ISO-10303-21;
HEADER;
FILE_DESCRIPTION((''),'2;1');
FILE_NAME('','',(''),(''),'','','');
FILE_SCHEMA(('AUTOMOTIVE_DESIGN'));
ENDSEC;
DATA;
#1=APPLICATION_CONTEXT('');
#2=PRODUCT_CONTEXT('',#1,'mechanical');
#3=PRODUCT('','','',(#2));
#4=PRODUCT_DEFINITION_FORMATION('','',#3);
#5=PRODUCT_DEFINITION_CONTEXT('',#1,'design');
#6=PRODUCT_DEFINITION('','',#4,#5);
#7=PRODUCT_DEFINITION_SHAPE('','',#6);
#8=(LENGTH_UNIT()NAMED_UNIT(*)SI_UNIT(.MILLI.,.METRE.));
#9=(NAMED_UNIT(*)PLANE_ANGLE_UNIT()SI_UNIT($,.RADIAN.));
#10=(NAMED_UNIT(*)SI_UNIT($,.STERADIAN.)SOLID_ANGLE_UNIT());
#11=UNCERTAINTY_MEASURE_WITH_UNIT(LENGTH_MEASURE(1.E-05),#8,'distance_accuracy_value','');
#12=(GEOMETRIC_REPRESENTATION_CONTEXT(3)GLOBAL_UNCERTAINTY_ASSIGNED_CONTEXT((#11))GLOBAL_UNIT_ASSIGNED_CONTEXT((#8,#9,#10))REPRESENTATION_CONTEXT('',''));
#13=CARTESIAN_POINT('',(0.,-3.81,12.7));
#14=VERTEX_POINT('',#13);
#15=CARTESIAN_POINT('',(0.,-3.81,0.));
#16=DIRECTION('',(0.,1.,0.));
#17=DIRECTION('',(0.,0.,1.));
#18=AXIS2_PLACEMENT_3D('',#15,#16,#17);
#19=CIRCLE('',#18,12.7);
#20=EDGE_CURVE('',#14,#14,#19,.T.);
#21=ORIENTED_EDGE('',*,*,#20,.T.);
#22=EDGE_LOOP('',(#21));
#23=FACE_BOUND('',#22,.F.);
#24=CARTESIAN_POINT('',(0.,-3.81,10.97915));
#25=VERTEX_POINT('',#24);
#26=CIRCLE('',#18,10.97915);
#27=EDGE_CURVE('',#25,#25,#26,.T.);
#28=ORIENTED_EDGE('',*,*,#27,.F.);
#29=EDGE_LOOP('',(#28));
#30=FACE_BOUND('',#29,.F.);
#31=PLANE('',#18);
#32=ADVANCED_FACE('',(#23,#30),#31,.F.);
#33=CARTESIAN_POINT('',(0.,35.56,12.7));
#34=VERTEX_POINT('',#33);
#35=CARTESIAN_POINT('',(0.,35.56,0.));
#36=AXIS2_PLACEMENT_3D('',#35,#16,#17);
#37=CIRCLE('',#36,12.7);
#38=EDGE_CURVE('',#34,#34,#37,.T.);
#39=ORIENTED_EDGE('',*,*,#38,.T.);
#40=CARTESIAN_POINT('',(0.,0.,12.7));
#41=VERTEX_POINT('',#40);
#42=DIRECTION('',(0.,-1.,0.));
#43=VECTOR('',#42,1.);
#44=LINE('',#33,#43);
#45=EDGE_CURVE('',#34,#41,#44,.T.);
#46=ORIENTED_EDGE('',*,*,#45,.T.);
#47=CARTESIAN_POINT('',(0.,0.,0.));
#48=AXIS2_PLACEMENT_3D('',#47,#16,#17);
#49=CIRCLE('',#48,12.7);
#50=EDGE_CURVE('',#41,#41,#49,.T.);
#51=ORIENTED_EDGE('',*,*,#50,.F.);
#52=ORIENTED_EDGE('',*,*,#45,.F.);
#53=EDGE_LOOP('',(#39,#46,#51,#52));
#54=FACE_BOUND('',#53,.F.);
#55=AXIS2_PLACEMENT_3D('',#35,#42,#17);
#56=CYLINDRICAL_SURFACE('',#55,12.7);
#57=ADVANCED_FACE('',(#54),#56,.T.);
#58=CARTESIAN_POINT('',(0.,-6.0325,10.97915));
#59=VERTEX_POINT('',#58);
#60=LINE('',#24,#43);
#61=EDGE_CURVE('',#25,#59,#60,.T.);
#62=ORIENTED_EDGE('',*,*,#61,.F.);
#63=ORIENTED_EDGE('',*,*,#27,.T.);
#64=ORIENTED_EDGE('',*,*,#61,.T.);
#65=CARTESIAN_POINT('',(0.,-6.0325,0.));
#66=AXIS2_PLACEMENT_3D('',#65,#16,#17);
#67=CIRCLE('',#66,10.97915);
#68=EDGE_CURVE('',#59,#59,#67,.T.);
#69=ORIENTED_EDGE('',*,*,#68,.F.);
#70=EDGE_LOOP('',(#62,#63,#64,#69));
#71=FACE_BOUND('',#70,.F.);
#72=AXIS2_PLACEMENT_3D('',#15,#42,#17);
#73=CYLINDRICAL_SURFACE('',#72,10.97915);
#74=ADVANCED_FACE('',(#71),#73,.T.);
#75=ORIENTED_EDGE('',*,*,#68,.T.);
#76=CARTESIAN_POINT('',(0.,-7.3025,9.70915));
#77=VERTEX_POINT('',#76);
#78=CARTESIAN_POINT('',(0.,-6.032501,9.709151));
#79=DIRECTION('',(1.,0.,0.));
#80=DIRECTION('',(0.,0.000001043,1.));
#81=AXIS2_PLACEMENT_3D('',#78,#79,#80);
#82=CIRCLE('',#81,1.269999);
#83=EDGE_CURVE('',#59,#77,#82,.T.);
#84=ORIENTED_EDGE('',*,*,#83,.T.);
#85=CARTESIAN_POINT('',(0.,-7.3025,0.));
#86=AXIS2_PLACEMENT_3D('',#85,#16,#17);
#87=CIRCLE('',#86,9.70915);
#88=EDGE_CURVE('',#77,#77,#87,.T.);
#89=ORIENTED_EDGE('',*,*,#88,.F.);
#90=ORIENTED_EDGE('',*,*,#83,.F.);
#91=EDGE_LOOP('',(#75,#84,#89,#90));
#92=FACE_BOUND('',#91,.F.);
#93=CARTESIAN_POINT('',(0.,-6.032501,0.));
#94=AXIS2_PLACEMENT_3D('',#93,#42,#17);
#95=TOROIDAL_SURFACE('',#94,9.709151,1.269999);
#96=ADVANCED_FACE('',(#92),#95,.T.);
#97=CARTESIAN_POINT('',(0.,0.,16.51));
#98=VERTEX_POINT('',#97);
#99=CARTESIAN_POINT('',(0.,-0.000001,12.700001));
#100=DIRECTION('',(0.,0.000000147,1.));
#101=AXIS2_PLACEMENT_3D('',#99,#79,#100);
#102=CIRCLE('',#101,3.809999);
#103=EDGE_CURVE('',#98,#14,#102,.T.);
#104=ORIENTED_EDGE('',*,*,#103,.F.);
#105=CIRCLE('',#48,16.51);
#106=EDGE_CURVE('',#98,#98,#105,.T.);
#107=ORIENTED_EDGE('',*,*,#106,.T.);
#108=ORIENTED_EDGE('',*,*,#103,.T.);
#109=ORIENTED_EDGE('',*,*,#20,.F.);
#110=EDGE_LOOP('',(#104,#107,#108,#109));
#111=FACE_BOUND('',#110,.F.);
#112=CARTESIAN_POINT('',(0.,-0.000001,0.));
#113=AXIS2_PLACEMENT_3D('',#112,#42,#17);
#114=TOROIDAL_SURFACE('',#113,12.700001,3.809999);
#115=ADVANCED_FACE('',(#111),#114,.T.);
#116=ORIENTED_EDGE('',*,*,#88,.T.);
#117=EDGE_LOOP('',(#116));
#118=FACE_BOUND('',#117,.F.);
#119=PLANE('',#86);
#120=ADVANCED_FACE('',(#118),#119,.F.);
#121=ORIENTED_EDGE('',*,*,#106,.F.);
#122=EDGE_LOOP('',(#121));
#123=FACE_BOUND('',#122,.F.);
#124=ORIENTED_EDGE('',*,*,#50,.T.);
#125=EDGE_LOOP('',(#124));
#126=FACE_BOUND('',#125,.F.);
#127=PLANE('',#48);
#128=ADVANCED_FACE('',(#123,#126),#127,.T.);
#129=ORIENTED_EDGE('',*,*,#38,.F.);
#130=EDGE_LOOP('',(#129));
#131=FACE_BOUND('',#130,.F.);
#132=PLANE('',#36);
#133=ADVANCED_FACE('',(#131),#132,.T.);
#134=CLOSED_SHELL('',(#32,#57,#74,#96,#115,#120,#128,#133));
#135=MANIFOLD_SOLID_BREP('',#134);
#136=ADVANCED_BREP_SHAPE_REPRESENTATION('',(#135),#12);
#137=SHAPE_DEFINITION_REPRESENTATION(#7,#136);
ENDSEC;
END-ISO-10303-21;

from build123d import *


with BuildPart() as f1:
    # F0 (on Right) → F1 (revolve)
    with BuildSketch(Plane.YZ):
        with BuildLine():
            Line((0, 12.7), (0, 16.51))
            ThreePointArc((0, 16.51), (-2.694077, 15.394077), (-3.81, 12.7))
            Line((-3.81, 12.7), (-3.81, 10.97915))
            Line((-3.81, 10.97915), (-6.0325, 10.97915))
            ThreePointArc((-6.0325, 10.97915), (-6.930526, 10.607176), (-7.3025, 9.70915))
            Line((-7.3025, 9.70915), (-7.3025, 0))
            Line((-7.3025, 0), (0, 0))
            Line((0, 0), (35.56, 0))
            Line((35.56, 0), (35.56, 12.7))
            Line((35.56, 12.7), (0, 12.7))
        make_face()
    revolve(axis=Axis((0, 17.78, 0), (0, 1, 0)))


solid = f1.part
